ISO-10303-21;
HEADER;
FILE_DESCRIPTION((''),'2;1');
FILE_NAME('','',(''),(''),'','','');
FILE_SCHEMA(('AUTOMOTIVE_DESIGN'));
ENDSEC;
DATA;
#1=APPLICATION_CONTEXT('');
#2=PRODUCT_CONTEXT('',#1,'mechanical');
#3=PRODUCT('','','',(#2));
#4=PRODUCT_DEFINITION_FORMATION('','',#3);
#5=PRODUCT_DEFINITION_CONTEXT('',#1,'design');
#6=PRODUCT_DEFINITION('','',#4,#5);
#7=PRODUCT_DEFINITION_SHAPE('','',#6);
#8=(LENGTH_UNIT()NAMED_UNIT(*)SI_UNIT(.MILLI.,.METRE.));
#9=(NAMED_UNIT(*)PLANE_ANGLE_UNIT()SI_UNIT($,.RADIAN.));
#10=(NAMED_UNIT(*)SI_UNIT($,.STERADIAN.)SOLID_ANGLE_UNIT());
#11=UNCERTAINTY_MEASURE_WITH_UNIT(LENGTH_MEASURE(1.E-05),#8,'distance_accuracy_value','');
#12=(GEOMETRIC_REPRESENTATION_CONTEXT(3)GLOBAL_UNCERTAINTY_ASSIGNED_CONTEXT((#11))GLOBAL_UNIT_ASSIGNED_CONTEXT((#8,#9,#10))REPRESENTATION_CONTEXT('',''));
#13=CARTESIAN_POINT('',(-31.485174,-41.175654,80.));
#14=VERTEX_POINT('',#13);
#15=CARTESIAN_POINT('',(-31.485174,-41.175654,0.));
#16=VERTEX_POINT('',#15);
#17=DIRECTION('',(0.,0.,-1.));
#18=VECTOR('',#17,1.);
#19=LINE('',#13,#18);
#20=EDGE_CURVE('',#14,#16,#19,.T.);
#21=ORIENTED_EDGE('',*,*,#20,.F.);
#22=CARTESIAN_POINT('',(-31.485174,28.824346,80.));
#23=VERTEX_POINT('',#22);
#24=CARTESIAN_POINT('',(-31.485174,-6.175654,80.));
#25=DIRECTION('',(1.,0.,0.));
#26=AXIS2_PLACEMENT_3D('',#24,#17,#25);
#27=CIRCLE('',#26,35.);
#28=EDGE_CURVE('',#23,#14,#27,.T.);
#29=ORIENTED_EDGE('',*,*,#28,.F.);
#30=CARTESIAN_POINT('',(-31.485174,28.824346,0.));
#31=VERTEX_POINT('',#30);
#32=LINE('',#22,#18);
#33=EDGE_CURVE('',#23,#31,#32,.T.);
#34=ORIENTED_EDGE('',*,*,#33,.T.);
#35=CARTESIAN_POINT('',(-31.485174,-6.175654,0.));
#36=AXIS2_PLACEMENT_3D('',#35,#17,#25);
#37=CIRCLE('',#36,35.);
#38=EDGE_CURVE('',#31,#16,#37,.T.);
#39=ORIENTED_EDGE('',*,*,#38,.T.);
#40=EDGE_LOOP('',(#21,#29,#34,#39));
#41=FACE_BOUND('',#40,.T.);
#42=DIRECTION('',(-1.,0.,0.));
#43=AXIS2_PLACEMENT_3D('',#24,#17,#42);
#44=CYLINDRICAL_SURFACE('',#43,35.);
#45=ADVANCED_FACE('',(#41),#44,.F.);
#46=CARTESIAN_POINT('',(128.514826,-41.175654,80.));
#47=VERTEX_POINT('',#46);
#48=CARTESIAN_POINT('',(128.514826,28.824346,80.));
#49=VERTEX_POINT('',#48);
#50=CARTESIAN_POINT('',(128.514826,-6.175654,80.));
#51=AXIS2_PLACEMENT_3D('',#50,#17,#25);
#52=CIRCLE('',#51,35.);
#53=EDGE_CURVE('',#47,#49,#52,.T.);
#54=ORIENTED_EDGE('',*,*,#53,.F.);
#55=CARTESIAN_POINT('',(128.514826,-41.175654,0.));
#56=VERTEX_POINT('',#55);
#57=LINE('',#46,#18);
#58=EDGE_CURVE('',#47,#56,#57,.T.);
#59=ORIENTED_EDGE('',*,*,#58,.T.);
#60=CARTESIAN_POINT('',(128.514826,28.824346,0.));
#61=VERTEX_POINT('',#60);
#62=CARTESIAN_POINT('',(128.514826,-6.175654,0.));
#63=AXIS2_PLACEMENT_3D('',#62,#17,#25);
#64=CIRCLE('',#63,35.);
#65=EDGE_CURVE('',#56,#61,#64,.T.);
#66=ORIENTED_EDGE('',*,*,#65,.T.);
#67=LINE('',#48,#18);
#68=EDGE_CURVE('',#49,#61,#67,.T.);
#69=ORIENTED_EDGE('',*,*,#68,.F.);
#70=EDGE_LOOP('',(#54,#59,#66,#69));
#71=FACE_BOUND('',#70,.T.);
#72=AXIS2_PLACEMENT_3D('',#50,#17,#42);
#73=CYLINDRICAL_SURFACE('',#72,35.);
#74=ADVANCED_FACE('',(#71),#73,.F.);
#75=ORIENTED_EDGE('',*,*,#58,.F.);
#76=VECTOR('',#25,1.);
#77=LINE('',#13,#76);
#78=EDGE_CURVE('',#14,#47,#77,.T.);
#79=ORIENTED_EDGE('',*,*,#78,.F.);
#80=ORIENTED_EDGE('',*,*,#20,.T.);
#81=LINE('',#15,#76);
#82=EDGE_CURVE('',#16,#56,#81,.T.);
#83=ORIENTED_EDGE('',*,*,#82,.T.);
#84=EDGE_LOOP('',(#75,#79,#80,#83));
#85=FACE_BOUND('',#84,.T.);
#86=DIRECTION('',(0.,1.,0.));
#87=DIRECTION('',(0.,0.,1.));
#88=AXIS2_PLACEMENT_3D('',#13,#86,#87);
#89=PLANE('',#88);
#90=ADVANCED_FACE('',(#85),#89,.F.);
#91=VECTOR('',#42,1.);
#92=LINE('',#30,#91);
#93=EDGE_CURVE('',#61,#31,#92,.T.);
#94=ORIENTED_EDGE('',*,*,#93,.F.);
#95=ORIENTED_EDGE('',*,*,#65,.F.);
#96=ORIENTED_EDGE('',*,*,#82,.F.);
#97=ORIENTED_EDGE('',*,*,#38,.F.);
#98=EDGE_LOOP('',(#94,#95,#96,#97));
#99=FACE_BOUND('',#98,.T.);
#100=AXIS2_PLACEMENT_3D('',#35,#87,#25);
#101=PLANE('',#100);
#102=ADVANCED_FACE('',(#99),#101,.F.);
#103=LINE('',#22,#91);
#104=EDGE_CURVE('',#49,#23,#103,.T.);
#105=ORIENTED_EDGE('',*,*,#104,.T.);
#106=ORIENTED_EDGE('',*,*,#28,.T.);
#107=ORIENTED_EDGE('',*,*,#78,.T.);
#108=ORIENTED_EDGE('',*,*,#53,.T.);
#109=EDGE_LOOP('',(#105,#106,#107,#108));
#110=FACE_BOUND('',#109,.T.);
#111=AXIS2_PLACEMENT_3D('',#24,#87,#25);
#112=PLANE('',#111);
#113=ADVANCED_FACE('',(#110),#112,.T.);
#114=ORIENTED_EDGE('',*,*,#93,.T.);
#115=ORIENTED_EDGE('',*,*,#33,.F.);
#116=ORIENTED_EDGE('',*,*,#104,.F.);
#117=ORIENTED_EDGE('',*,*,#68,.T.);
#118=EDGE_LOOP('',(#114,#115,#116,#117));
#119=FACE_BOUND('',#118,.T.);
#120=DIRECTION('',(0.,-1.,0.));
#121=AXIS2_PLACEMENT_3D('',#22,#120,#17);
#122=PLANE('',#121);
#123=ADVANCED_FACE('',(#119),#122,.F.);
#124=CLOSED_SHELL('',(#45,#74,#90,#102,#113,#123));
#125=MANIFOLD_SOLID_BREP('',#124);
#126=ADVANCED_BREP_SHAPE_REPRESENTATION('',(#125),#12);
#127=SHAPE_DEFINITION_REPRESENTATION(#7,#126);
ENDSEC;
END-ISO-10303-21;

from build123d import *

# Parameters (mm, degrees)
EXTRUDE_1_DEPTH = 80


with BuildPart() as part:
    # 草图1 → 凸台-拉伸1 (new body)
    with BuildSketch(Plane.XY):
        with BuildLine():
            Line((-31.48517389, 28.82434555), (128.51482611, 28.82434555))
            ThreePointArc((128.51482611, 28.82434555), (93.51482611, -6.17565445), (128.51482611, -41.17565445))
            Line((128.51482611, -41.17565445), (-31.48517389, -41.17565445))
            ThreePointArc((-31.48517389, -41.17565445), (3.51482611, -6.17565445), (-31.48517389, 28.82434555))
        make_face()
    extrude(amount=EXTRUDE_1_DEPTH)


solid = part.part
